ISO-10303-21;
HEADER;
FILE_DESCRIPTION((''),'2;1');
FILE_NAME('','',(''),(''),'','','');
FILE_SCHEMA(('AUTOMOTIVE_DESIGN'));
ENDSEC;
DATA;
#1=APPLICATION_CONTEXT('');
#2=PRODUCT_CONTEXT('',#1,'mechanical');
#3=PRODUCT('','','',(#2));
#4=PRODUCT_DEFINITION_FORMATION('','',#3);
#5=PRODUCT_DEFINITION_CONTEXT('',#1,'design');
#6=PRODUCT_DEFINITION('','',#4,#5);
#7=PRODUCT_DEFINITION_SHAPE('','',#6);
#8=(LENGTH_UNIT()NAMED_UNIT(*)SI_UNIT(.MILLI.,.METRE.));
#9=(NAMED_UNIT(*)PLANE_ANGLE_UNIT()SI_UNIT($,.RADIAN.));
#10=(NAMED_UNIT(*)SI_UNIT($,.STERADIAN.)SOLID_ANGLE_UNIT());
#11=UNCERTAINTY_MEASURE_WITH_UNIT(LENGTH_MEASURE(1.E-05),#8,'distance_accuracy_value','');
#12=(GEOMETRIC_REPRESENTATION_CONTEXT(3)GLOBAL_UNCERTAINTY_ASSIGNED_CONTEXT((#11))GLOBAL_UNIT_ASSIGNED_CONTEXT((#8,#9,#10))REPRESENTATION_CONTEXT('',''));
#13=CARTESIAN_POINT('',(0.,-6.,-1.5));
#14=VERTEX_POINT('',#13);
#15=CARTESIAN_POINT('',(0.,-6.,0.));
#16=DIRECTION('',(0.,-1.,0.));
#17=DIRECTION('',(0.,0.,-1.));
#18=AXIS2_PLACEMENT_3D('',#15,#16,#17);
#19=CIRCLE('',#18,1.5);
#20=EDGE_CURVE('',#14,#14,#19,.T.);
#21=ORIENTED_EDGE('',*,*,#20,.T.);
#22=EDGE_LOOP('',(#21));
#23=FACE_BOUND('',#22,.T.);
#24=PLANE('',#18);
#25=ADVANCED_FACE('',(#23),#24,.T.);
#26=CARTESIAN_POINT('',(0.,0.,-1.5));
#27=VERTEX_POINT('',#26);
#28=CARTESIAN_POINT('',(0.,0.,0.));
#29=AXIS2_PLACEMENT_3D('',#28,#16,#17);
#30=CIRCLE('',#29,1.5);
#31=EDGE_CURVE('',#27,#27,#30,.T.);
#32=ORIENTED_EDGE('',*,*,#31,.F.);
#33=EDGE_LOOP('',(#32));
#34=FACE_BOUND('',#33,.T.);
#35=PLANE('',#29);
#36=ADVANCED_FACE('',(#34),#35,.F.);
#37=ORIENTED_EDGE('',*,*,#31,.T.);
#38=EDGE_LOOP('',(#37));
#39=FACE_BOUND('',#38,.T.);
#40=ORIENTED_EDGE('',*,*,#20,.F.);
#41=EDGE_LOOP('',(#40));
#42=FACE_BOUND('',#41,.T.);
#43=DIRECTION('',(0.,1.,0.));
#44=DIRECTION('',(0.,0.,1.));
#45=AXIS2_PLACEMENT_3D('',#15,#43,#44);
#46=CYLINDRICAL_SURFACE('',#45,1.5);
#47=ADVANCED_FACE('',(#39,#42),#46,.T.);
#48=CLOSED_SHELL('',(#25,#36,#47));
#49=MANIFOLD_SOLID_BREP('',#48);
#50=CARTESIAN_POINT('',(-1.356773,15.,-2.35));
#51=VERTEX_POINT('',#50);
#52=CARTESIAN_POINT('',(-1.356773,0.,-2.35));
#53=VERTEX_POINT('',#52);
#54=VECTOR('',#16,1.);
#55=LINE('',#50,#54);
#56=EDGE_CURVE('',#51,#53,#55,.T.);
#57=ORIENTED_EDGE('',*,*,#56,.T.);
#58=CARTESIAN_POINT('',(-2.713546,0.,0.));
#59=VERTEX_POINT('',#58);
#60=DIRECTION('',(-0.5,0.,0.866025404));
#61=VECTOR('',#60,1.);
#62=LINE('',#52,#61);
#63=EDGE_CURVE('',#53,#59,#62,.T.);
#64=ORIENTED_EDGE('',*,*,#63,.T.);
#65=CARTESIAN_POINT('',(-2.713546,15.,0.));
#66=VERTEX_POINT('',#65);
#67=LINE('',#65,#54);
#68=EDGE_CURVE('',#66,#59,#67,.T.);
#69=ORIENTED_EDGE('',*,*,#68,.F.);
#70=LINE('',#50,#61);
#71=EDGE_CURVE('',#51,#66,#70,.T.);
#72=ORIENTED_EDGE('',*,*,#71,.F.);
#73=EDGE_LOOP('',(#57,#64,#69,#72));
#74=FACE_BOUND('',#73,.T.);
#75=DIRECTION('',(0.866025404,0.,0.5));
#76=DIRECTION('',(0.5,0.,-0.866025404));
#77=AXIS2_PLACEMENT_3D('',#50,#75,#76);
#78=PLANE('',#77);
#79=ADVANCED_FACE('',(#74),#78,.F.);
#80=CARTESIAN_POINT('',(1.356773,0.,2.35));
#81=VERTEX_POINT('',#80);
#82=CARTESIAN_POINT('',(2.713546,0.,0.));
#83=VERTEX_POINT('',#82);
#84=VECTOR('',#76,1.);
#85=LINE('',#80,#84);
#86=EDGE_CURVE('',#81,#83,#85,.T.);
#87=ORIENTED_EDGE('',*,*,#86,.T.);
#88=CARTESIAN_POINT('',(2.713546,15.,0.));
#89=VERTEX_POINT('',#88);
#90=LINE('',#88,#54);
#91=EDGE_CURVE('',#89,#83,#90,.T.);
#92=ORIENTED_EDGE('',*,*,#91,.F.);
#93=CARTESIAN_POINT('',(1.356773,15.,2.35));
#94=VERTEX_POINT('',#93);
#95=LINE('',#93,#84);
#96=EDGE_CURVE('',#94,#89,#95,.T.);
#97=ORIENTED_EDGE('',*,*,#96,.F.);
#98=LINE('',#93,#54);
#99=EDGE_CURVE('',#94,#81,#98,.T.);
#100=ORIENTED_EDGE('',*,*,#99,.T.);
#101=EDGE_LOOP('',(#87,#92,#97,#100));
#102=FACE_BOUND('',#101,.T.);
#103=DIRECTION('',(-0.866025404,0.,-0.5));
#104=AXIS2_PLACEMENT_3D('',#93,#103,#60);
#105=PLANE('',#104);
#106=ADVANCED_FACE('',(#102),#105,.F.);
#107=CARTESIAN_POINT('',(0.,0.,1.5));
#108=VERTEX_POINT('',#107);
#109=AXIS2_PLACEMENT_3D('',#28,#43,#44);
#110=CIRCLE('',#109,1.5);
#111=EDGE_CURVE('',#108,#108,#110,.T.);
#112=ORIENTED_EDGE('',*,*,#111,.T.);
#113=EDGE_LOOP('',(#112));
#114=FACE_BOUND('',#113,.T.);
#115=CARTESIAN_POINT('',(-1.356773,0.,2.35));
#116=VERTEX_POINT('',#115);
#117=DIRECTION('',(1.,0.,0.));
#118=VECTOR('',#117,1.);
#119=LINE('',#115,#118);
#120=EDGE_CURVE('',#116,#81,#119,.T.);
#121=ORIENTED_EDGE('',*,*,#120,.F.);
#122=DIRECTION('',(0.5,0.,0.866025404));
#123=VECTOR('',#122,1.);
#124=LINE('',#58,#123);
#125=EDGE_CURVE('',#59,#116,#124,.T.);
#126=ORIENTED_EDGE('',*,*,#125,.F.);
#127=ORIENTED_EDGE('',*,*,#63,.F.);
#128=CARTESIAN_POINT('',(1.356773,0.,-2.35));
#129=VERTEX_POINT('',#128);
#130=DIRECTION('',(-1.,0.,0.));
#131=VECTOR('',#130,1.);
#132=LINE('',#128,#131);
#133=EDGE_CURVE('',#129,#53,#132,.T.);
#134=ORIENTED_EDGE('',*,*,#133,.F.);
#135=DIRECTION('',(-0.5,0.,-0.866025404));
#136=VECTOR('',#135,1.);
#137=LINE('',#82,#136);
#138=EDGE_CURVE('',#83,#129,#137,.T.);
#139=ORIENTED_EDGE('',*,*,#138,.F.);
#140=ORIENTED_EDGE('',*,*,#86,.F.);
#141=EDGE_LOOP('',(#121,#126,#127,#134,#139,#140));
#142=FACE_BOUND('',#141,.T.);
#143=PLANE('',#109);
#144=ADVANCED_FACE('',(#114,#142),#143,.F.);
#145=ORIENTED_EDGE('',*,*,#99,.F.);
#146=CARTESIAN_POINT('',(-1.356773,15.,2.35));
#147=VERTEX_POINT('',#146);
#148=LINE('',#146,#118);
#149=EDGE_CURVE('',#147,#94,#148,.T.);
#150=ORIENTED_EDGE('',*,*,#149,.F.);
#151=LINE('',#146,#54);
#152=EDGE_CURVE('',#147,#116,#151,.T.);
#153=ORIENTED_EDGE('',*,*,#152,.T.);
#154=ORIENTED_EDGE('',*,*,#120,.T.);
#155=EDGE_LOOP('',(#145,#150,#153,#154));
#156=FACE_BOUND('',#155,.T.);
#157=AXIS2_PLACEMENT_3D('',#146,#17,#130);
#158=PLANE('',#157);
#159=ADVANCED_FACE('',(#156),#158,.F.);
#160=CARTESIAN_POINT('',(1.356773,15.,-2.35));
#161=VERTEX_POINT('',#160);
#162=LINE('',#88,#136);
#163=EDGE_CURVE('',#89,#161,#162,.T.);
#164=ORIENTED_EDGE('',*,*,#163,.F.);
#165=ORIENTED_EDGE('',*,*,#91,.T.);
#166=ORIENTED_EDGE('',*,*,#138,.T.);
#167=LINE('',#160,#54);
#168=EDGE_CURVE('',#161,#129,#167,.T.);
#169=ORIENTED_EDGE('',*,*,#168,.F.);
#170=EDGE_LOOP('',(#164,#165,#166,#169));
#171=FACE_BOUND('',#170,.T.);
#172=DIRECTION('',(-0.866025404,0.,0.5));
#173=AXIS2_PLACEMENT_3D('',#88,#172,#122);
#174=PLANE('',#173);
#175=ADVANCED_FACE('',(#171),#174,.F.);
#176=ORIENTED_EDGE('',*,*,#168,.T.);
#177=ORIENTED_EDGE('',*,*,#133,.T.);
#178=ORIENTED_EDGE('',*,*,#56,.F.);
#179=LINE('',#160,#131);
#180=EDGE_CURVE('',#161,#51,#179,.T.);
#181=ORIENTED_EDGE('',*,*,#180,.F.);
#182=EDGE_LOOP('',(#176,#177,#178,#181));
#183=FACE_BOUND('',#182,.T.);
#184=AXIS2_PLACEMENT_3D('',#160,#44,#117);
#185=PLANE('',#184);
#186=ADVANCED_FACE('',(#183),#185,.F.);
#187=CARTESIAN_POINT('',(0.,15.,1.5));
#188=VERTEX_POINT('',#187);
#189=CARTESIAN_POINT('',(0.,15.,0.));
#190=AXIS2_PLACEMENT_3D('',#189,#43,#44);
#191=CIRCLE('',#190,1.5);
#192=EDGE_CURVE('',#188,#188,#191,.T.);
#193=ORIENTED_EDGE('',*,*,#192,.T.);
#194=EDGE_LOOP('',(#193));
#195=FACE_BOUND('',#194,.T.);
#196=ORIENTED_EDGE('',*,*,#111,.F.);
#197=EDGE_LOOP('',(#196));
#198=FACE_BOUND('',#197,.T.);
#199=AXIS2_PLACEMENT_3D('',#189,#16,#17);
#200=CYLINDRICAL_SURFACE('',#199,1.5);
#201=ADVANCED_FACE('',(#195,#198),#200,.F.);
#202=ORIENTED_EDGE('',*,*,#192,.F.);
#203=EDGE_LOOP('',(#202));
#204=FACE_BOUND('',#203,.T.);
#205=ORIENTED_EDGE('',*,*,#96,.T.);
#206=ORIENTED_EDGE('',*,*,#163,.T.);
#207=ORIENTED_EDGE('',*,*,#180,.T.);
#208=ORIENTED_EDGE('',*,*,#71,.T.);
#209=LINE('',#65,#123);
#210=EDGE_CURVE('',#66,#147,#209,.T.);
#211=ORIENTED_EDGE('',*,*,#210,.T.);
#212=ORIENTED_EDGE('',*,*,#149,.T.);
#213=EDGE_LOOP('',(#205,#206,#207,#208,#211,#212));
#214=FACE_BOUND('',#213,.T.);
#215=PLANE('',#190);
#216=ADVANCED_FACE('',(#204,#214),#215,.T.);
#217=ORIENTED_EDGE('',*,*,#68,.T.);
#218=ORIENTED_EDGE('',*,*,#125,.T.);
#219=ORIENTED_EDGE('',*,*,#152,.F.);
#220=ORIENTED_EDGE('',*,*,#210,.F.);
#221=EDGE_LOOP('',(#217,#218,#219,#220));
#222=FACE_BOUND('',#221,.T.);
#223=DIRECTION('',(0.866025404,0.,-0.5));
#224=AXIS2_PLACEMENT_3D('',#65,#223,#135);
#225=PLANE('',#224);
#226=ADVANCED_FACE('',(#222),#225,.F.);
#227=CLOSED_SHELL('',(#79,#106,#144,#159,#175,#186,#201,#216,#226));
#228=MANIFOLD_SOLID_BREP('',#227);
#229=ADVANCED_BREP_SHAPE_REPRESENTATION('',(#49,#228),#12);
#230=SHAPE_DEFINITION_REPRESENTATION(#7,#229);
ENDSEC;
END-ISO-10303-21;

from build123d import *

# Parameters (mm, degrees)
SKETCH_1_R      = 1.5
EXTRUDE_1_DEPTH = 15
SKETCH_2_R      = 1.5
EXTRUDE_2_DEPTH = 6


with BuildPart() as part:
    # 草图1 → 凸台-拉伸1 (new body)
    with BuildSketch(Plane(origin=(0, 0, 0), x_dir=(1, 0, 0), z_dir=(0, 1, 0))):
        Polygon((2.713546265, 0), (1.356773133, 2.35), (-1.356773133, 2.35), (-2.713546265, 0), (-1.356773133, -2.35), (1.356773133, -2.35), align=None)
        with Locations(Location((0, 0, 0), (0, 0, 270))):
            Circle(SKETCH_1_R, mode=Mode.SUBTRACT)
    extrude(amount=EXTRUDE_1_DEPTH)


with BuildPart() as body_2:
    # 草图2 → 凸台-拉伸2 (new body)
    with BuildSketch(Plane(origin=(0, 0, 0), x_dir=(-1, 0, 0), z_dir=(0, -1, 0))):
        with Locations(Location((0, 0, 0), (0, 0, 90))):
            Circle(SKETCH_2_R)
    extrude(amount=EXTRUDE_2_DEPTH)


solid = Compound([part.part, body_2.part])
